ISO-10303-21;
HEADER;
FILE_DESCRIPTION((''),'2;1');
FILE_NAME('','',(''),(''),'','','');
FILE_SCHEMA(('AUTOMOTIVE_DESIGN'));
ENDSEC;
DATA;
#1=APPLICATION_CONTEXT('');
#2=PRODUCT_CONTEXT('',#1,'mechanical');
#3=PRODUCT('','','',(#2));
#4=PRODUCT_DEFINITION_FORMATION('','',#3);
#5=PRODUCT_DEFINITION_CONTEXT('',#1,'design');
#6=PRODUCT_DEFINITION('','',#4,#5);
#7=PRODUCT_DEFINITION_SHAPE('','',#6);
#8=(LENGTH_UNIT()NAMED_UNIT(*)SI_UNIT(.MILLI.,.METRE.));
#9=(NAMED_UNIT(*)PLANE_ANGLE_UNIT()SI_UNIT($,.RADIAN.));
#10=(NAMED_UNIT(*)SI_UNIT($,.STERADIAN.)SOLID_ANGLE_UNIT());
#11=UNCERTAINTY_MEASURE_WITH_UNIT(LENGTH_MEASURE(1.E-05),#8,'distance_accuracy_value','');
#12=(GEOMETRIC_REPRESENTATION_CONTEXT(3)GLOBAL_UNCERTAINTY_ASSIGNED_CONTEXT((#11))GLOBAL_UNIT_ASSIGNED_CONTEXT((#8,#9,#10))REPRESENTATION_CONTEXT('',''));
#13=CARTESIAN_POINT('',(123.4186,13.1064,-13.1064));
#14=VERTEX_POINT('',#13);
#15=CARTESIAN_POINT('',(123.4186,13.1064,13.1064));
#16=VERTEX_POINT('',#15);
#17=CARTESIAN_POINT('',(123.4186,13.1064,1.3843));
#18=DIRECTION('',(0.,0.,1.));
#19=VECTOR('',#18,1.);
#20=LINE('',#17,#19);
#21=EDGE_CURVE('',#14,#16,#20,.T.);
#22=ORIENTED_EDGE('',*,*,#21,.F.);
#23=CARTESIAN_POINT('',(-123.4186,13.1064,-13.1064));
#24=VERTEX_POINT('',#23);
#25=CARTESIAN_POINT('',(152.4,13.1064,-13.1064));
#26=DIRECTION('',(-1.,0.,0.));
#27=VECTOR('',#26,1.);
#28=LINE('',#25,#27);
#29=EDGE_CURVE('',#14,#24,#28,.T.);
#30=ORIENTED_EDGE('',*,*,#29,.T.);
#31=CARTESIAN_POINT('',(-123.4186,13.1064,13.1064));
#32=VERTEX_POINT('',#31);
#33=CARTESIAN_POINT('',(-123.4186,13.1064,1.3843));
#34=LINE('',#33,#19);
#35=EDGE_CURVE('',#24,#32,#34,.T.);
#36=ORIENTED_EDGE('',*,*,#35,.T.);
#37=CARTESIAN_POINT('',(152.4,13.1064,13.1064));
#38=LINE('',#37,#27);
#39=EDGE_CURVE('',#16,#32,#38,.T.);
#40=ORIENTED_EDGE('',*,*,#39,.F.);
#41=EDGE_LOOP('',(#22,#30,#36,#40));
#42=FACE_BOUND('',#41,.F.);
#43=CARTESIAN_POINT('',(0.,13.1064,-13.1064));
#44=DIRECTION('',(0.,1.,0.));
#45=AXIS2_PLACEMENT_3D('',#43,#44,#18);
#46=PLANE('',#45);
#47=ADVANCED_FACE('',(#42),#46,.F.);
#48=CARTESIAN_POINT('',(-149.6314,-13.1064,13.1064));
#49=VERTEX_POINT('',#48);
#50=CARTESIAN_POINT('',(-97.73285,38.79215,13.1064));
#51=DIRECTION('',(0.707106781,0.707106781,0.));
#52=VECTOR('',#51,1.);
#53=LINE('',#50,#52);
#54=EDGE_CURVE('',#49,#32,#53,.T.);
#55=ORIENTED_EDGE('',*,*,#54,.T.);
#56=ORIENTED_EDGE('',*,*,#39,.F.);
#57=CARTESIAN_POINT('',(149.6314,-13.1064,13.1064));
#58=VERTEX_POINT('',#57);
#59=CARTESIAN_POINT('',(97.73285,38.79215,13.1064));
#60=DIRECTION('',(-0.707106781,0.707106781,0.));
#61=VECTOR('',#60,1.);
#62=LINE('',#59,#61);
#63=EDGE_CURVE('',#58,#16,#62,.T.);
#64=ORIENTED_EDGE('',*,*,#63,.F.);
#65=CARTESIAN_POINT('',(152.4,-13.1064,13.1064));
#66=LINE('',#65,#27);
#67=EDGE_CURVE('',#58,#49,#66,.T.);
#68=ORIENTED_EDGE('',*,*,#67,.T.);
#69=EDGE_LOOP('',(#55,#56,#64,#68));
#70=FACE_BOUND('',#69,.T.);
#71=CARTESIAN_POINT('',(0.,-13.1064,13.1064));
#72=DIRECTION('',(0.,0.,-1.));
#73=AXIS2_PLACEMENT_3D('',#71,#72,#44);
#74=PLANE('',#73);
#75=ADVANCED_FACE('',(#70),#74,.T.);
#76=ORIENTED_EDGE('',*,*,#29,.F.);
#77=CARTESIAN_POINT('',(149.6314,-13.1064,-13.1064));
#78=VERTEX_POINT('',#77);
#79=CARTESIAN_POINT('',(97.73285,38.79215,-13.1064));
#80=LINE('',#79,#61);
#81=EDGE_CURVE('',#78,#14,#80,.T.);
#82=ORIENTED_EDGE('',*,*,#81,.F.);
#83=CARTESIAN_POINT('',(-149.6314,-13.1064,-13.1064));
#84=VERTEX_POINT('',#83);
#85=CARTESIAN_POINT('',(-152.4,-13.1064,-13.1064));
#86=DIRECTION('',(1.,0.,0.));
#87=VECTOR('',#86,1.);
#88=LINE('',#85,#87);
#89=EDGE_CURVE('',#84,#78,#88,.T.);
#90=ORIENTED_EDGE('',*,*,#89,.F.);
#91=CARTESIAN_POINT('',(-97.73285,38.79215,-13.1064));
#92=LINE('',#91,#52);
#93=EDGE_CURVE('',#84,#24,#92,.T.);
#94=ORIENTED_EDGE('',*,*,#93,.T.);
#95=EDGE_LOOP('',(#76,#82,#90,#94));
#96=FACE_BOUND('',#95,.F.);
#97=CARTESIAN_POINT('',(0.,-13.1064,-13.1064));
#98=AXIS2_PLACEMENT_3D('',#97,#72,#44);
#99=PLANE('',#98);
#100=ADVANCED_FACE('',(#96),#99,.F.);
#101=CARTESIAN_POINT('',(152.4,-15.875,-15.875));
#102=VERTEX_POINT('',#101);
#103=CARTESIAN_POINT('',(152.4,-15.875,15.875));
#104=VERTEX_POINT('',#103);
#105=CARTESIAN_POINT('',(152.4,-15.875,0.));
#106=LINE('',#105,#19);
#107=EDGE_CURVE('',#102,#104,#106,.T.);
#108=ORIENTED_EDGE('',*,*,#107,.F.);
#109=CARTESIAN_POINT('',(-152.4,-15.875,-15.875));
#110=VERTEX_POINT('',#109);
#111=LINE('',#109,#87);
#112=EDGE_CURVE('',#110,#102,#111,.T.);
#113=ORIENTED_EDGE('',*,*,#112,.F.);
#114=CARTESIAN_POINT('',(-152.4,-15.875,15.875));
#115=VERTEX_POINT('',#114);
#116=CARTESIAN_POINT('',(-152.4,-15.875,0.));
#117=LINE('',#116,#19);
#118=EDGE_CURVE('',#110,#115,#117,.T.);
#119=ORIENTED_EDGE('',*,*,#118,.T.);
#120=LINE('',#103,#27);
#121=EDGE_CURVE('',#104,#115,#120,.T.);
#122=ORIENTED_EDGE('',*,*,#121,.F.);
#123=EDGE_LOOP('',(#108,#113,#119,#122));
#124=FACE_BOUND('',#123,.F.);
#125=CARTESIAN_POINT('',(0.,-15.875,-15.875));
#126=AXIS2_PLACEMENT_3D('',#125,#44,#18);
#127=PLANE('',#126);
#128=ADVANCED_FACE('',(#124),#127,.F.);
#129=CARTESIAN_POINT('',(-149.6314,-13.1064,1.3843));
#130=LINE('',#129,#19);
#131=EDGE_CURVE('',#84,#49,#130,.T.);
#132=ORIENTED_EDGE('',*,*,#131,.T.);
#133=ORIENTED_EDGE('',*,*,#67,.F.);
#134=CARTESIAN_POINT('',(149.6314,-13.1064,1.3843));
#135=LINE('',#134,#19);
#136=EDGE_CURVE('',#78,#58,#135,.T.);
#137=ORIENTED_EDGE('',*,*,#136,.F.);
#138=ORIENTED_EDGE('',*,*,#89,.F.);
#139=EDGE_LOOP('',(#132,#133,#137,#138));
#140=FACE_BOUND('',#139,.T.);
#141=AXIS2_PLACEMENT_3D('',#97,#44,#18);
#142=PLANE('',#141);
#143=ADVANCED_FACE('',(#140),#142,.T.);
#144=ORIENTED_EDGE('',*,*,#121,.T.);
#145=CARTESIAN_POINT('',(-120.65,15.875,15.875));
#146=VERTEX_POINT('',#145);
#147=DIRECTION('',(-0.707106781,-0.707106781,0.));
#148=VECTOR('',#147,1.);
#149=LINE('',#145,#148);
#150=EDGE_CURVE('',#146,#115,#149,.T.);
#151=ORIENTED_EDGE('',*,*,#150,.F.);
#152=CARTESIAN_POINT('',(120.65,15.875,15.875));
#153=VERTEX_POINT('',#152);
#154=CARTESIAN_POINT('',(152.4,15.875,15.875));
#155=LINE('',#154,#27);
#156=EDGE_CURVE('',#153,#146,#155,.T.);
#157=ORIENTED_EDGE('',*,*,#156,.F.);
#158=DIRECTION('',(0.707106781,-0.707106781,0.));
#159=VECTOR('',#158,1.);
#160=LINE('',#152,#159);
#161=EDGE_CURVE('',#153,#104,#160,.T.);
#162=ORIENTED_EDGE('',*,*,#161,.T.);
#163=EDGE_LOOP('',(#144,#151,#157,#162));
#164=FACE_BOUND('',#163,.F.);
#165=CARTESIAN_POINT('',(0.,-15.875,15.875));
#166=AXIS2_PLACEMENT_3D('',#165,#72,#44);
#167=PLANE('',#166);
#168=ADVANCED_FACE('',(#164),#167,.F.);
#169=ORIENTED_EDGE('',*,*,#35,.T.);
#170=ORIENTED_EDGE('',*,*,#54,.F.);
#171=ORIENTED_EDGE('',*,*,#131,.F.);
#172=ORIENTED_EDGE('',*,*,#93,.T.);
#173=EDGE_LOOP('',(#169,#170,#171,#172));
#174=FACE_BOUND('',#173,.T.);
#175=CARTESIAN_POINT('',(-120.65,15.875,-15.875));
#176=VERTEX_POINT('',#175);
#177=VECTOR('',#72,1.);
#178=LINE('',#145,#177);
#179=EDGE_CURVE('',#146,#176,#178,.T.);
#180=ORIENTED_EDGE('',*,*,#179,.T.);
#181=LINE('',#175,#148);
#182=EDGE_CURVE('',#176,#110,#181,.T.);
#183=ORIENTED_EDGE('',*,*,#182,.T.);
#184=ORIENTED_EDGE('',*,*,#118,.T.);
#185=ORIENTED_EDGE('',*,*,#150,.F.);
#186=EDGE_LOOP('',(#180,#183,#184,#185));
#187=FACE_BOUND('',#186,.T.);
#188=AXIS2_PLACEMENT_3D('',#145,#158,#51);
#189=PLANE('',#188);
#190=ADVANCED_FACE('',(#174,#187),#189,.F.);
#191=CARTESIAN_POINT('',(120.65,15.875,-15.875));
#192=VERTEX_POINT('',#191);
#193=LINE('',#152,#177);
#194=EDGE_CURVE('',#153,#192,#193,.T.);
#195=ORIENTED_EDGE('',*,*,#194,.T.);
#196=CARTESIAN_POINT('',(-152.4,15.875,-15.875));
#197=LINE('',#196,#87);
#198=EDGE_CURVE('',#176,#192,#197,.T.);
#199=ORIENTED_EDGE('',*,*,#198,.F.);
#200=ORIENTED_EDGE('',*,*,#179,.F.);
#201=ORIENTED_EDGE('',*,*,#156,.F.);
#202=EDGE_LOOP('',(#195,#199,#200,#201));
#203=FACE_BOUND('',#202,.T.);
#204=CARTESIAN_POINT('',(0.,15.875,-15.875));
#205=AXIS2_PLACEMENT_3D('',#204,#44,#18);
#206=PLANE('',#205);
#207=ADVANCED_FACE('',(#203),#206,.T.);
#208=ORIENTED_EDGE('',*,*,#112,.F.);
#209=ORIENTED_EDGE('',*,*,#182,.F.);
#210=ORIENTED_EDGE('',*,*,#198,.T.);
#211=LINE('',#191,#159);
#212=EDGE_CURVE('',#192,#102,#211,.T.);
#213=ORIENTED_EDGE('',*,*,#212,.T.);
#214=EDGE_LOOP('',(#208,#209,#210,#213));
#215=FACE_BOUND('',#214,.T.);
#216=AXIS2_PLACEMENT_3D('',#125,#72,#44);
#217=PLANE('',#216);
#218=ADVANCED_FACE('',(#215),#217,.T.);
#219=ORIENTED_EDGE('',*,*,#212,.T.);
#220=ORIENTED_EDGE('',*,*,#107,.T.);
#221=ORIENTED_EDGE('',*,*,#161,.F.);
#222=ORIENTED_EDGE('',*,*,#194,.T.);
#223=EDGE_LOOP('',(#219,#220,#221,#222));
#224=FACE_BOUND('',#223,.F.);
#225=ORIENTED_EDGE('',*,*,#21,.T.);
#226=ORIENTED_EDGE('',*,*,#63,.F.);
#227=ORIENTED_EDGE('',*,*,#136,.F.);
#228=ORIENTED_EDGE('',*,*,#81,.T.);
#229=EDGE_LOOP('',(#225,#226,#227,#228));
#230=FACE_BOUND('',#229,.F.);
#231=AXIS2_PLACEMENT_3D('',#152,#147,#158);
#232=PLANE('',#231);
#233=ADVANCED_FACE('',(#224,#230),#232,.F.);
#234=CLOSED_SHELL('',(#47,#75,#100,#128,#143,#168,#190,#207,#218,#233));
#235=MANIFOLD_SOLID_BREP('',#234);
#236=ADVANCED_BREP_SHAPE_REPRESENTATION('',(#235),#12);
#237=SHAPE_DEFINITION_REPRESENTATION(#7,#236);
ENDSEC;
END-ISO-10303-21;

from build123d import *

# Parameters (mm, degrees)
SKETCH_W       = 31.75
SKETCH_H       = 31.75
SKETCH_W_2     = 26.2128
SKETCH_H_2     = 26.2128
PAD_DEPTH      = 152.4
PAD_DEPTH_BACK = 152.4
POCKET_DEPTH   = 31.75


with BuildPart() as part:
    # Sketch → Pad (new body, two sides)
    with BuildSketch(Plane.YZ) as pad_sk:
        Rectangle(SKETCH_W, SKETCH_H)
        Rectangle(SKETCH_W_2, SKETCH_H_2, mode=Mode.SUBTRACT)
    extrude(amount=PAD_DEPTH)
    extrude(pad_sk.sketch, amount=-PAD_DEPTH_BACK)

    # Sketch001 → Pocket (cut)
    with BuildSketch(Plane(origin=(0, 0, 15.875), x_dir=(0, -1, 0), z_dir=(0, 0, 1))):
        Polygon((15.875, 152.4), (-15.875, 152.4), (-15.875, 120.65), align=None)
    pocket = extrude(amount=-POCKET_DEPTH, mode=Mode.SUBTRACT)

    # Mirrored: Pocket across Sketch001 H_Axis
    add(pocket.mirror(Plane(origin=(0, 0, 15.875), x_dir=(0, 0, 1), z_dir=(1, 0, 0))), mode=Mode.SUBTRACT)


solid = part.part
